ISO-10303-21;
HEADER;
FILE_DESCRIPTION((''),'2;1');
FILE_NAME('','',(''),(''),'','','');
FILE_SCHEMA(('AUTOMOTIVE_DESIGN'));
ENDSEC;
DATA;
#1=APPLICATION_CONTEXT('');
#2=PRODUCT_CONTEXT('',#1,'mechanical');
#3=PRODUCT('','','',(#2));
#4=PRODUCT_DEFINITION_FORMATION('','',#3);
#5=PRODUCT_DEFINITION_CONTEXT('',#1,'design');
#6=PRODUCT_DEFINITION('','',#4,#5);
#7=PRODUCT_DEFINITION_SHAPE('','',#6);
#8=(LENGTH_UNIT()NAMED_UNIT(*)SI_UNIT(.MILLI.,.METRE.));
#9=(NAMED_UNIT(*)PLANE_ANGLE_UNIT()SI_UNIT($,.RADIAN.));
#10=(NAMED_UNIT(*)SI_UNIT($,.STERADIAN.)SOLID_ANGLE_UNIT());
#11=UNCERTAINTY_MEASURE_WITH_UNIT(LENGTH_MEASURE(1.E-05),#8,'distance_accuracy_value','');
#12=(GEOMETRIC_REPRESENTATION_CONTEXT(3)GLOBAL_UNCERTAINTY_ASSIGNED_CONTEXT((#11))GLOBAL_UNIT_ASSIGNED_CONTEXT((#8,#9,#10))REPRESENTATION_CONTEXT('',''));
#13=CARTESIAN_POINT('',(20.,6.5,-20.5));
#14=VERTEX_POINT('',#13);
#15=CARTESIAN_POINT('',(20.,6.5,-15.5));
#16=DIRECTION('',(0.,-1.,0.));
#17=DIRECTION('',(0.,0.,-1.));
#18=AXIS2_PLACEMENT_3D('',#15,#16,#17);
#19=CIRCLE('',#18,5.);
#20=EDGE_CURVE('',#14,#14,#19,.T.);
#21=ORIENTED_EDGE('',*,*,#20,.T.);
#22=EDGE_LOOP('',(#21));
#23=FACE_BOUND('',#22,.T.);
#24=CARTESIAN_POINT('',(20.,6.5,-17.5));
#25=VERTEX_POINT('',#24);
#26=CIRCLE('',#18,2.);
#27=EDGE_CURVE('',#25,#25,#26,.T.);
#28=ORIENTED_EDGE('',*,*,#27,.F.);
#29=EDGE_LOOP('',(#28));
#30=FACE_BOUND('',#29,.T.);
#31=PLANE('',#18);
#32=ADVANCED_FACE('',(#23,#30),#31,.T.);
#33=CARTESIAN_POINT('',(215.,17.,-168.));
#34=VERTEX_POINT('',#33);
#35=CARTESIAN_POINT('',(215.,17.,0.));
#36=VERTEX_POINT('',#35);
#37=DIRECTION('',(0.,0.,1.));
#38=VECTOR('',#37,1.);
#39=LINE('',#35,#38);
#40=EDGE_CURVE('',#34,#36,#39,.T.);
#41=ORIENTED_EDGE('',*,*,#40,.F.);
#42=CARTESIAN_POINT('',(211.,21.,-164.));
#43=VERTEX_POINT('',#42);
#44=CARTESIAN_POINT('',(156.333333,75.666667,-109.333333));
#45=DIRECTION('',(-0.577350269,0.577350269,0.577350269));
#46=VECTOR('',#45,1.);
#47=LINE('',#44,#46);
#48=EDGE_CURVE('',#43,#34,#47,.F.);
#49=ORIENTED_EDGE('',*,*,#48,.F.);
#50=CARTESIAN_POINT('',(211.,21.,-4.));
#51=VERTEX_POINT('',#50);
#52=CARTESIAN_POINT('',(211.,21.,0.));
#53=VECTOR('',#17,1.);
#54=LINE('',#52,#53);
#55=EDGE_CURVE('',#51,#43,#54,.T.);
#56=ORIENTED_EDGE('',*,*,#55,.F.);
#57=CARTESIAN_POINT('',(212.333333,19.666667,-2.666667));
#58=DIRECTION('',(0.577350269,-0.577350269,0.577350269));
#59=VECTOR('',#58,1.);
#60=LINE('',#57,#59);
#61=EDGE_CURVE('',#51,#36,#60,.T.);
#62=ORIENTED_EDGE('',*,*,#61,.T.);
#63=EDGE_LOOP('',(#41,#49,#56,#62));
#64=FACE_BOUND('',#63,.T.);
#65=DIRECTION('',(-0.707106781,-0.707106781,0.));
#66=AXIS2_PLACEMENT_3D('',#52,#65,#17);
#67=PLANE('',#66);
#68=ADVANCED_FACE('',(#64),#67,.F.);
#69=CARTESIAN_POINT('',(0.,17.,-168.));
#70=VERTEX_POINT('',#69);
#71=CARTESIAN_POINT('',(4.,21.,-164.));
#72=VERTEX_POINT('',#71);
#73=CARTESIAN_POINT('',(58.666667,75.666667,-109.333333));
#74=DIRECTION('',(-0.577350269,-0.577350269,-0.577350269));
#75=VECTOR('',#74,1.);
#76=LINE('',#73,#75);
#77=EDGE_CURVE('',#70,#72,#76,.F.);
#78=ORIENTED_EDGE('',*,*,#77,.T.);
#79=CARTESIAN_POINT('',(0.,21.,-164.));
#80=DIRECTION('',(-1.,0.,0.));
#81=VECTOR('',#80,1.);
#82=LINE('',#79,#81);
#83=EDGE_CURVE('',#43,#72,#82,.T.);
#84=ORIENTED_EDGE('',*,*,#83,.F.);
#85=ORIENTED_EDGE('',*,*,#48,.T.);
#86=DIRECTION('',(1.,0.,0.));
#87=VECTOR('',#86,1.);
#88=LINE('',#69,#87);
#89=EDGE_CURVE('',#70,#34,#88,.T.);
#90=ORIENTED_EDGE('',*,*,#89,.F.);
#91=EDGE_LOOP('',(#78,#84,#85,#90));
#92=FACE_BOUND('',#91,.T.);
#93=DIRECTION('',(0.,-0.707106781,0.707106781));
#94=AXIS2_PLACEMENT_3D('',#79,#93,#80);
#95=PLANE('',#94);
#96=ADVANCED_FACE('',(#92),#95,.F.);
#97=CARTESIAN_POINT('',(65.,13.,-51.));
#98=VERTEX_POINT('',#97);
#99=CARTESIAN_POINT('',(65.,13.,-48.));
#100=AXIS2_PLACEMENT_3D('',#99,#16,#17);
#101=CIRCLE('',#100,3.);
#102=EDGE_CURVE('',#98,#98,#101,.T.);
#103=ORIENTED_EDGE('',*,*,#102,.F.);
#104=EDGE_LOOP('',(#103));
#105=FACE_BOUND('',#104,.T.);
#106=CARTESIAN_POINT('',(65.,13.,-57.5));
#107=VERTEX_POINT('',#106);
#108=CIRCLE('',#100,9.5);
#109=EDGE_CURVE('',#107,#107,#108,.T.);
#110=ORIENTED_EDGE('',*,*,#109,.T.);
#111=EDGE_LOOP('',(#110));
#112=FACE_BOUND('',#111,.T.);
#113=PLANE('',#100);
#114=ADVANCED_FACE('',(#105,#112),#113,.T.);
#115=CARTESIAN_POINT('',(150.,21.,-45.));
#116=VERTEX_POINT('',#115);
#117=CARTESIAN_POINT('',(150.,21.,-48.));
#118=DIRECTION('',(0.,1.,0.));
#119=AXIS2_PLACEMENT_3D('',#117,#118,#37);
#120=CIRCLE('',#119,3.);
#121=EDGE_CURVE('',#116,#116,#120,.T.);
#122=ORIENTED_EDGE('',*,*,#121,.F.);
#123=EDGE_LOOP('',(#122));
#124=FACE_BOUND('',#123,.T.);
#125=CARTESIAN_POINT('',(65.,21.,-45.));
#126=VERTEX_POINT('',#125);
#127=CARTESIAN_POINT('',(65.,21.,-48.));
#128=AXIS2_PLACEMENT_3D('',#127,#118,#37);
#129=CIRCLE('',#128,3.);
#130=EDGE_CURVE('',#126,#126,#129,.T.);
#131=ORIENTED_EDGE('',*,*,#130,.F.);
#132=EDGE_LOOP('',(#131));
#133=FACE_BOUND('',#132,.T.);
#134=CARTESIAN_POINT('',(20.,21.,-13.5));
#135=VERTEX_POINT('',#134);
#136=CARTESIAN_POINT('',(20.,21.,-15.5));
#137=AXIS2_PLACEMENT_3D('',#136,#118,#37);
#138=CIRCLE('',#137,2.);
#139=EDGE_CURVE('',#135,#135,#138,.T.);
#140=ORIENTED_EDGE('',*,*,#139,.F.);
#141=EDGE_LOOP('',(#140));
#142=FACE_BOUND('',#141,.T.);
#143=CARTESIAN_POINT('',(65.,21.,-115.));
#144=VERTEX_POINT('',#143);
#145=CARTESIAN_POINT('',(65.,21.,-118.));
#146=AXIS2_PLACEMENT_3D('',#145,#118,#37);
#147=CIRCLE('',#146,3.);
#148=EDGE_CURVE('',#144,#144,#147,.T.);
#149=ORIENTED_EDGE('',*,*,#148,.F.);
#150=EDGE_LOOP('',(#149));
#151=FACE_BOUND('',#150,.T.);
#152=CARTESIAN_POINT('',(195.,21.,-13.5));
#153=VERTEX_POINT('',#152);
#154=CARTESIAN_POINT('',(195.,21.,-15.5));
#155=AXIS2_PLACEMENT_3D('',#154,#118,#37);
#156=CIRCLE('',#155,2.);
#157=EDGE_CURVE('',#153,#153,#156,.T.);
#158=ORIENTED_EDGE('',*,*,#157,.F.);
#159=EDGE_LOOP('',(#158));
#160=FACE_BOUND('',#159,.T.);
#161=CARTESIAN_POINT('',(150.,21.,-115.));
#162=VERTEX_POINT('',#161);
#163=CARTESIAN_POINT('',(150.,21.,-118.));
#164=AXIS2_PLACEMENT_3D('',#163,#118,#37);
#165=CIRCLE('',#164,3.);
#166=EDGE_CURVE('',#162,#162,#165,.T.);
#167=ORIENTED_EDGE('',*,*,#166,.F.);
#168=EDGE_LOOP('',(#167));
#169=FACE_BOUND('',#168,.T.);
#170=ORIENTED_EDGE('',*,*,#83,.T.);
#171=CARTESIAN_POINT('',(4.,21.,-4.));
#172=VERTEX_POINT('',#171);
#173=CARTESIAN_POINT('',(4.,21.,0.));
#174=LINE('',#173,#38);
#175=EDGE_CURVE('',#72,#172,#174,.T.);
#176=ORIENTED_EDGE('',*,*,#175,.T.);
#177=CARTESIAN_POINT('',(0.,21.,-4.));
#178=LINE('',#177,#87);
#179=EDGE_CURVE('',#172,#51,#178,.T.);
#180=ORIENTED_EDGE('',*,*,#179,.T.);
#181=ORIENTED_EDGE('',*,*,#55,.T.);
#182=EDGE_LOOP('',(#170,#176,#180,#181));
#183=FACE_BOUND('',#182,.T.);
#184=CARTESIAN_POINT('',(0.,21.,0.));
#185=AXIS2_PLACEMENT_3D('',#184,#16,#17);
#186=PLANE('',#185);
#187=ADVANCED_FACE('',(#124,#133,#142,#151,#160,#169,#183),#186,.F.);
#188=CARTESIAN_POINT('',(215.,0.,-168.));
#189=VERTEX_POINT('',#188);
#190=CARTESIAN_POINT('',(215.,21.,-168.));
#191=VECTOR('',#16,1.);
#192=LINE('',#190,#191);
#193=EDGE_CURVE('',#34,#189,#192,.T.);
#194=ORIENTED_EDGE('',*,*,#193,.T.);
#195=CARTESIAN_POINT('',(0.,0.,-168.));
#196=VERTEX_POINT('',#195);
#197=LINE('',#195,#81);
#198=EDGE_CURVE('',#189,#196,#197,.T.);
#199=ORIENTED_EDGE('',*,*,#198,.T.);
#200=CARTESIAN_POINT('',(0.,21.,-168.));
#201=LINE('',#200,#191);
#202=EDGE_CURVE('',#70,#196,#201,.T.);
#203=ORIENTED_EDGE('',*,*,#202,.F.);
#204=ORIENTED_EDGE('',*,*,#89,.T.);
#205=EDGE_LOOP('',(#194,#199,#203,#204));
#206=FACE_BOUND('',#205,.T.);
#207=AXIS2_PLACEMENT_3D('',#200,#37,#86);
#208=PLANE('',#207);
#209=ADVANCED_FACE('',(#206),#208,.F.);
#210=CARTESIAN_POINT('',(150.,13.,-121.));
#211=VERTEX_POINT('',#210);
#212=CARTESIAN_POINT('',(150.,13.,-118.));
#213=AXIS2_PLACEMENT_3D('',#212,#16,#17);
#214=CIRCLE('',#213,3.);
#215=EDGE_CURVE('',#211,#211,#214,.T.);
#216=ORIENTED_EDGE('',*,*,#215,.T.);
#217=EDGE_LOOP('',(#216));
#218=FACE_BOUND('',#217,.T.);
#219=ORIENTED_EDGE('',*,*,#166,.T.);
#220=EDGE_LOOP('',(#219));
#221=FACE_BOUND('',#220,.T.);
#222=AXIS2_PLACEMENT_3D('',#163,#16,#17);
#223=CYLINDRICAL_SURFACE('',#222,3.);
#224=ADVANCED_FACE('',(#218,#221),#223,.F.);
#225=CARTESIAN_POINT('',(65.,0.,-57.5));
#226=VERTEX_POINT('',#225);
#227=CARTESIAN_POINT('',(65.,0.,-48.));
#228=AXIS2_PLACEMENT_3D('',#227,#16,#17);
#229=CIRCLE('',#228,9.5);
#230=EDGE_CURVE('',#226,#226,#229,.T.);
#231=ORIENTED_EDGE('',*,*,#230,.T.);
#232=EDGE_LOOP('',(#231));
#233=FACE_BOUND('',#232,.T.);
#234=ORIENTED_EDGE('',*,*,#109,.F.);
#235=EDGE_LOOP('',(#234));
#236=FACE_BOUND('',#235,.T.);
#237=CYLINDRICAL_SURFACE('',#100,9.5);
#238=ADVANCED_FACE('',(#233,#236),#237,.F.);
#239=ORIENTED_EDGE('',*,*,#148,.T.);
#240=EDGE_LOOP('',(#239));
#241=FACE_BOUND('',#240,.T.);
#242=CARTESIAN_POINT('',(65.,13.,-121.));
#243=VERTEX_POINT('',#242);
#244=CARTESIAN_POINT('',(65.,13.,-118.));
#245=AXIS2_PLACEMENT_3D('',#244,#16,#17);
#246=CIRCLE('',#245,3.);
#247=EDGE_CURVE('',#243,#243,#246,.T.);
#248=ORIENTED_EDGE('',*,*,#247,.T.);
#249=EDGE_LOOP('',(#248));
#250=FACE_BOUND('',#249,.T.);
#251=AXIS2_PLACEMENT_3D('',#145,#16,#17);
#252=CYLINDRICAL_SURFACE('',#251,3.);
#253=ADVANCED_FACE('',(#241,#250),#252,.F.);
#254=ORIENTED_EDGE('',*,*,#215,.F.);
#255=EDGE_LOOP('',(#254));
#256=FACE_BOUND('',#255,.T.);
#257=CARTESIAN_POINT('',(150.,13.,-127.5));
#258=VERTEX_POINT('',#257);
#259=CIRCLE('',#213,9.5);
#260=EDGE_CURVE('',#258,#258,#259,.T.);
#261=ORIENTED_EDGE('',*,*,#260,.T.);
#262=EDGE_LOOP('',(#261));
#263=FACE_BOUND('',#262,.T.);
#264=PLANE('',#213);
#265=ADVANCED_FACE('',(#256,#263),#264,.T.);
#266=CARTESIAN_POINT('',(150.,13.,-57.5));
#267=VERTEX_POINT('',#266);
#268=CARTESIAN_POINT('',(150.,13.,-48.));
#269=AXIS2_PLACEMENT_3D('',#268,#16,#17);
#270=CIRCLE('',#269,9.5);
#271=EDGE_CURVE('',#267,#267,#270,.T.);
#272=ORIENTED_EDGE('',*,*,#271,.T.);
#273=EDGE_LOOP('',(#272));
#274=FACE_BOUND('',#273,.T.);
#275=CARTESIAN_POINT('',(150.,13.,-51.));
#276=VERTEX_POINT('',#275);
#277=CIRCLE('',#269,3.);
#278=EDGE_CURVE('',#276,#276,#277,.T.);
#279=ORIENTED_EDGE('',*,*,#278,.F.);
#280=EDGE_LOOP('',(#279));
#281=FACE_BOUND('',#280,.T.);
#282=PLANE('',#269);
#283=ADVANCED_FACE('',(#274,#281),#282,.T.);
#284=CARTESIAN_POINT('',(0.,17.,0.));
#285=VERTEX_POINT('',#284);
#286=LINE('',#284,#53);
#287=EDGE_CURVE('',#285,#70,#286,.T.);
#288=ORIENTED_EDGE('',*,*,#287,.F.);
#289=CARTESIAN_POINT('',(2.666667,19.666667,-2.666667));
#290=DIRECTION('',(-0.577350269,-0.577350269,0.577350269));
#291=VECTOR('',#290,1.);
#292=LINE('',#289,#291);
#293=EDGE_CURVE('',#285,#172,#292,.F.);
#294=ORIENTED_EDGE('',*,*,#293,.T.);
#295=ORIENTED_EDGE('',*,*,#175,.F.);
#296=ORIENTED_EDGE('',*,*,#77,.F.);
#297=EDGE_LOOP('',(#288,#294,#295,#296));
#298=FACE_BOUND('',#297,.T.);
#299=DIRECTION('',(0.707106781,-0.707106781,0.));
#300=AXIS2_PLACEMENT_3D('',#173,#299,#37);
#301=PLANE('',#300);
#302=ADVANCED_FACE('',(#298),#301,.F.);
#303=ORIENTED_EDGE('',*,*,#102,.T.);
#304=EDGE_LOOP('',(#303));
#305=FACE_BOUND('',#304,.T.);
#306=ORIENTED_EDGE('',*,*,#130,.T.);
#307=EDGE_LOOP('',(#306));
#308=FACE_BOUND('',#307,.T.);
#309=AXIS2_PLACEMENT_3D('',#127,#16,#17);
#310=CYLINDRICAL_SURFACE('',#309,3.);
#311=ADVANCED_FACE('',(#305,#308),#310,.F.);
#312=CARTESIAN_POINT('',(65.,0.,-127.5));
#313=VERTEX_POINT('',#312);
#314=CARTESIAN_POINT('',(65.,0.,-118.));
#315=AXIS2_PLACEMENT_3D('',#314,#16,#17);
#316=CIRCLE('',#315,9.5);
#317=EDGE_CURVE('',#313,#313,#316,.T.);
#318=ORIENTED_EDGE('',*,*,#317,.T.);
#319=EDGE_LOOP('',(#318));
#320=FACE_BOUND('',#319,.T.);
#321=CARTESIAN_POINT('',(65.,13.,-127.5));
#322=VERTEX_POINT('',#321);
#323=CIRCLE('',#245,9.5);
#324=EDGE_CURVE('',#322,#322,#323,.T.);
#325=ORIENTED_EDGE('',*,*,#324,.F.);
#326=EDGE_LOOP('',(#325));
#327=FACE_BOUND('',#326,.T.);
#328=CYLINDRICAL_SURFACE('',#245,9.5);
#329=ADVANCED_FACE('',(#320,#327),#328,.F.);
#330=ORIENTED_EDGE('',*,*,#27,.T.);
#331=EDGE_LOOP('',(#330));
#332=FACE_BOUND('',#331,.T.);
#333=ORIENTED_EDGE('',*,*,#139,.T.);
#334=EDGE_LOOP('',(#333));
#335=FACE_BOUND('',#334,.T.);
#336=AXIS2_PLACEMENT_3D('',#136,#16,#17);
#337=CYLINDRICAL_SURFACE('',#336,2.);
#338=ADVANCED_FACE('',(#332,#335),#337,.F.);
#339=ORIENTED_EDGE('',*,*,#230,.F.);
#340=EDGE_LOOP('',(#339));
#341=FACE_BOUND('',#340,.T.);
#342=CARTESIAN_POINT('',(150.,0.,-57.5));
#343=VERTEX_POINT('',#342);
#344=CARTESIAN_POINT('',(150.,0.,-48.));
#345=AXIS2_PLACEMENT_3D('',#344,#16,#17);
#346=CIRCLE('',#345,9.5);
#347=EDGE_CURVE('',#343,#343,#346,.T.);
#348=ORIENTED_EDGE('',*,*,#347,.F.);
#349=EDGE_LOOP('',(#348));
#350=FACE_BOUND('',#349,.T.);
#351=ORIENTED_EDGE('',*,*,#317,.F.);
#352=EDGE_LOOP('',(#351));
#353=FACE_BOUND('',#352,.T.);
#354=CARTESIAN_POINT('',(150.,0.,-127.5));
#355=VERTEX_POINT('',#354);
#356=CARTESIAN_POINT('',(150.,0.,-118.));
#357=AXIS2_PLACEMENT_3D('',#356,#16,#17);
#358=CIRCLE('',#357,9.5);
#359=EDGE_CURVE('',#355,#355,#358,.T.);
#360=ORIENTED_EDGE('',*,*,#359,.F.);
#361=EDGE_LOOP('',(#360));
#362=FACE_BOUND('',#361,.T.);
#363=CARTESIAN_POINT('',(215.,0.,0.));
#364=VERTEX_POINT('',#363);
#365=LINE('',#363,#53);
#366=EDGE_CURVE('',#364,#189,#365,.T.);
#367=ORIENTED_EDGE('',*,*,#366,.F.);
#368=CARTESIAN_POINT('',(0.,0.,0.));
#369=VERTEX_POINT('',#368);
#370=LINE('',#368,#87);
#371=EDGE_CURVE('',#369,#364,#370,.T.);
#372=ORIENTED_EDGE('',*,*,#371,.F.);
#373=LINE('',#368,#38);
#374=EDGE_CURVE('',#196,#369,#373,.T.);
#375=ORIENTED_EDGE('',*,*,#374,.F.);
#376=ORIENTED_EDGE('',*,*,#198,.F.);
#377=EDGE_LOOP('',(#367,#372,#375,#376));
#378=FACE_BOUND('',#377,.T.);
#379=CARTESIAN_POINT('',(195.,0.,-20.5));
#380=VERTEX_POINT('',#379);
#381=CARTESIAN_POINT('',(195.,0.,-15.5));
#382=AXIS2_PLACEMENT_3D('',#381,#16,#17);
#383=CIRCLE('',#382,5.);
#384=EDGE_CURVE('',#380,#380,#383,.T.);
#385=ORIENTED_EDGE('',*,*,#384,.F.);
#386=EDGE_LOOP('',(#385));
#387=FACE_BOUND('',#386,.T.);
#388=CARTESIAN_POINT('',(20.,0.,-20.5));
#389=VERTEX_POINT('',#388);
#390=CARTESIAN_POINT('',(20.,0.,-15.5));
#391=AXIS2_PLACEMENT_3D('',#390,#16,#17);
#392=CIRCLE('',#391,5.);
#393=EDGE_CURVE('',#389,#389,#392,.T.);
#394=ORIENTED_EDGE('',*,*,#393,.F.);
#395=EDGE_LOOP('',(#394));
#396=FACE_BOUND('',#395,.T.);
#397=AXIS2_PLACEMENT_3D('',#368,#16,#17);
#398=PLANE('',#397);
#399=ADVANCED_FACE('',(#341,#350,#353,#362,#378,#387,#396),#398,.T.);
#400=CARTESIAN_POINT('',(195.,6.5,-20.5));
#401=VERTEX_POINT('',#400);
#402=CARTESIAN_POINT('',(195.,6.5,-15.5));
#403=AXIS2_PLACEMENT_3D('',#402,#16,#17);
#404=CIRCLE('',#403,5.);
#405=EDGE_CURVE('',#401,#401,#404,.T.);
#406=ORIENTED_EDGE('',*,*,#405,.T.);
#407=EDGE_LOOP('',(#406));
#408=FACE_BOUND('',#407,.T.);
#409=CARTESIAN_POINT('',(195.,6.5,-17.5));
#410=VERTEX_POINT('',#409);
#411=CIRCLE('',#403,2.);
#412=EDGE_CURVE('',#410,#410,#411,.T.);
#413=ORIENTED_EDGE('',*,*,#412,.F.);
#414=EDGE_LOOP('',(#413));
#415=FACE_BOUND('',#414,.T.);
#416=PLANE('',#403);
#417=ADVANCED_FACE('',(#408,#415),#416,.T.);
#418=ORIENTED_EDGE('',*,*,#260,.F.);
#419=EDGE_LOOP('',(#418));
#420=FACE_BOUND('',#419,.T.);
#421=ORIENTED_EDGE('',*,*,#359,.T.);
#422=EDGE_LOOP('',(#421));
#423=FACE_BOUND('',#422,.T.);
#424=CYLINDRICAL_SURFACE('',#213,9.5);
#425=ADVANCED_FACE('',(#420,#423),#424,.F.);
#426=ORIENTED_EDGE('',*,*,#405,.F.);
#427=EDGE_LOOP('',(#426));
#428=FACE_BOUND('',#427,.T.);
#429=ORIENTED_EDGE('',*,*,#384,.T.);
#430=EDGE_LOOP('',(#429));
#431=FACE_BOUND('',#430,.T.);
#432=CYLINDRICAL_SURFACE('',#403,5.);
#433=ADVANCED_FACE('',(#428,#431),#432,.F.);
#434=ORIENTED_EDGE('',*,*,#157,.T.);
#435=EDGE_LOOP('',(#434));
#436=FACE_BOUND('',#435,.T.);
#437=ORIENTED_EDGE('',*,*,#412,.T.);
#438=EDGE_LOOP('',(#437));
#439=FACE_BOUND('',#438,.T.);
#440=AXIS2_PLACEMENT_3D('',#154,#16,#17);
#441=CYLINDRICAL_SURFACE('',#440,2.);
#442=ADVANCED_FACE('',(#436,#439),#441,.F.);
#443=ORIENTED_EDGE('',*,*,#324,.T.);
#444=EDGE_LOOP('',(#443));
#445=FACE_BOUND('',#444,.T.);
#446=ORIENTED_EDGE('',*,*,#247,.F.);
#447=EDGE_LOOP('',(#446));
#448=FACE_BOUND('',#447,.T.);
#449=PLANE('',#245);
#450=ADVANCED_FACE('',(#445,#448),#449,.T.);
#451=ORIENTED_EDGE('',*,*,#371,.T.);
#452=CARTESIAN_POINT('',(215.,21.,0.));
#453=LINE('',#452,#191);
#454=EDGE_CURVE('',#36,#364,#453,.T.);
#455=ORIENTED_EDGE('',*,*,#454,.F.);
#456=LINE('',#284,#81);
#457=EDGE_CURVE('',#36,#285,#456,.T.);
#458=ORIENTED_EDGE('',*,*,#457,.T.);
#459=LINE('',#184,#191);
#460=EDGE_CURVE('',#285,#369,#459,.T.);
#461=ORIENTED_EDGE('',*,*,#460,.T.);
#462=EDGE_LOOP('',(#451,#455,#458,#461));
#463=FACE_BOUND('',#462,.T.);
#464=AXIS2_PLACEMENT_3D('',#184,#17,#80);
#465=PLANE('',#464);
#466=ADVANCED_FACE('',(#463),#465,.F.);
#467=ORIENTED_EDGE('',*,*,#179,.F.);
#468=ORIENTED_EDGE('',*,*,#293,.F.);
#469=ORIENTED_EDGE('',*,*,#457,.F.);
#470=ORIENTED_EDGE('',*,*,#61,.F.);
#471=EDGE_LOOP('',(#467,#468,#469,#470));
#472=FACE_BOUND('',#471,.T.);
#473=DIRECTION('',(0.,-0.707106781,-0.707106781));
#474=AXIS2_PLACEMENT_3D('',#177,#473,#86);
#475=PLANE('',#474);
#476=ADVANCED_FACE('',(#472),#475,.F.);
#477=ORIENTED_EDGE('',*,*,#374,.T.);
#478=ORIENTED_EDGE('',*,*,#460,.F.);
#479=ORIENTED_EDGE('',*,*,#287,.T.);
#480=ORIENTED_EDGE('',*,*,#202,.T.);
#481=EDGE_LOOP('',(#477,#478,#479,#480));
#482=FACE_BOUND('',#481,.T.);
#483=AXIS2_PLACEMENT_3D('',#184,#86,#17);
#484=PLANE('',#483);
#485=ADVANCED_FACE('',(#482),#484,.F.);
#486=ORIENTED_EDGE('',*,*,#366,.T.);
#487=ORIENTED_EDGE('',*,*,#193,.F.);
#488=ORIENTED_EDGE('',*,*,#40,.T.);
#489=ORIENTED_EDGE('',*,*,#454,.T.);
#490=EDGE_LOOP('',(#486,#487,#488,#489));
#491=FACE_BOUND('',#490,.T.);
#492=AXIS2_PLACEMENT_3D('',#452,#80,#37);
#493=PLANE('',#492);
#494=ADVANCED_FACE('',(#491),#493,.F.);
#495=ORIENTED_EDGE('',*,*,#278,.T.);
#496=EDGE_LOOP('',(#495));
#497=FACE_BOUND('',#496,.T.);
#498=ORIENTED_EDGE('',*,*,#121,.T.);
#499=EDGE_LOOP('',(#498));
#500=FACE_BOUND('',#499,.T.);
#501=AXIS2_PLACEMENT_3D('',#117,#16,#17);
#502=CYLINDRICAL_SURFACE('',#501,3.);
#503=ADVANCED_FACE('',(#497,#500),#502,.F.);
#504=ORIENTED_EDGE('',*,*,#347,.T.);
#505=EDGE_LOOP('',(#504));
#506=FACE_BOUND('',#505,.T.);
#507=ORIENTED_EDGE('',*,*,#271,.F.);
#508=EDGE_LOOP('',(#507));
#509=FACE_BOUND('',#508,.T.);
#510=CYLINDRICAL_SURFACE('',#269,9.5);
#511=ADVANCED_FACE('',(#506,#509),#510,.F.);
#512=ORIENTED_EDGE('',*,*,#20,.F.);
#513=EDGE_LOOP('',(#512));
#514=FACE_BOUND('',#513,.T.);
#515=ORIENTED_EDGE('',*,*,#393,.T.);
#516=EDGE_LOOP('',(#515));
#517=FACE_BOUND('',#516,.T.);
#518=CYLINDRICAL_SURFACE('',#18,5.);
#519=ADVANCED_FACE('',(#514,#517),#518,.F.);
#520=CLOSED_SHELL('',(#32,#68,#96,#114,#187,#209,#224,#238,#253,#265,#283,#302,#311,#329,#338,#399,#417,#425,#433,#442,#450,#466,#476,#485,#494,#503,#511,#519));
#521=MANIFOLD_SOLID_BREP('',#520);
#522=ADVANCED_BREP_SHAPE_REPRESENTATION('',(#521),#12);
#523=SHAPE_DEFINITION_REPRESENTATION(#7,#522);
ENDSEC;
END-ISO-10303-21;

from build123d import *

# Parameters (mm, degrees)
SKETCH1_W           = 215
SKETCH1_H           = 168
SKETCH1_R           = 3
SKETCH1_R_2         = 2
BOSS_EXTRUDE1_DEPTH = 21
CHAMFER1_SIZE       = 4
SKETCH2_R           = 9.5
CUT_EXTRUDE1_DEPTH  = 13
SKETCH4_R           = 5
CUT_EXTRUDE2_DEPTH  = 6.5


with BuildPart() as part:
    # Sketch1 → Boss-Extrude1 (new body)
    with BuildSketch(Plane(origin=(0, 0, 0), x_dir=(1, 0, 0), z_dir=(0, 1, 0))):
        with Locations((107.5, 84)):
            Rectangle(SKETCH1_W, SKETCH1_H)
        with Locations((150, 118)):
            Circle(SKETCH1_R, mode=Mode.SUBTRACT)
        with Locations((65, 118)):
            Circle(SKETCH1_R, mode=Mode.SUBTRACT)
        with Locations((65, 48)):
            Circle(SKETCH1_R, mode=Mode.SUBTRACT)
        with Locations((150, 48)):
            Circle(SKETCH1_R, mode=Mode.SUBTRACT)
        with Locations((20, 15.5)):
            Circle(SKETCH1_R_2, mode=Mode.SUBTRACT)
        with Locations((195, 15.5)):
            Circle(SKETCH1_R_2, mode=Mode.SUBTRACT)
    extrude(amount=BOSS_EXTRUDE1_DEPTH)

    # Chamfer1
    chamfer1_edges = [part.edges().sort_by_distance(p)[0] for p in [
        (215, 21, -84),
        (107.5, 21, -168),
        (0, 21, -84),
        (107.5, 21, 0),
    ]]
    chamfer(chamfer1_edges, length=CHAMFER1_SIZE)

    # Sketch2 → Cut-Extrude1 (cut)
    with BuildSketch(Plane.XZ):
        with Locations((65, -48)):
            Circle(SKETCH2_R)
        with Locations((150, -48)):
            Circle(SKETCH2_R)
        with Locations((65, -118)):
            Circle(SKETCH2_R)
        with Locations((150, -118)):
            Circle(SKETCH2_R)
    extrude(amount=-CUT_EXTRUDE1_DEPTH, mode=Mode.SUBTRACT)

    # Sketch4 → Cut-Extrude2 (cut)
    with BuildSketch(Plane.XZ):
        with Locations((20, -15.5)):
            Circle(SKETCH4_R)
        with Locations((195, -15.5)):
            Circle(SKETCH4_R)
    extrude(amount=-CUT_EXTRUDE2_DEPTH, mode=Mode.SUBTRACT)


solid = part.part
